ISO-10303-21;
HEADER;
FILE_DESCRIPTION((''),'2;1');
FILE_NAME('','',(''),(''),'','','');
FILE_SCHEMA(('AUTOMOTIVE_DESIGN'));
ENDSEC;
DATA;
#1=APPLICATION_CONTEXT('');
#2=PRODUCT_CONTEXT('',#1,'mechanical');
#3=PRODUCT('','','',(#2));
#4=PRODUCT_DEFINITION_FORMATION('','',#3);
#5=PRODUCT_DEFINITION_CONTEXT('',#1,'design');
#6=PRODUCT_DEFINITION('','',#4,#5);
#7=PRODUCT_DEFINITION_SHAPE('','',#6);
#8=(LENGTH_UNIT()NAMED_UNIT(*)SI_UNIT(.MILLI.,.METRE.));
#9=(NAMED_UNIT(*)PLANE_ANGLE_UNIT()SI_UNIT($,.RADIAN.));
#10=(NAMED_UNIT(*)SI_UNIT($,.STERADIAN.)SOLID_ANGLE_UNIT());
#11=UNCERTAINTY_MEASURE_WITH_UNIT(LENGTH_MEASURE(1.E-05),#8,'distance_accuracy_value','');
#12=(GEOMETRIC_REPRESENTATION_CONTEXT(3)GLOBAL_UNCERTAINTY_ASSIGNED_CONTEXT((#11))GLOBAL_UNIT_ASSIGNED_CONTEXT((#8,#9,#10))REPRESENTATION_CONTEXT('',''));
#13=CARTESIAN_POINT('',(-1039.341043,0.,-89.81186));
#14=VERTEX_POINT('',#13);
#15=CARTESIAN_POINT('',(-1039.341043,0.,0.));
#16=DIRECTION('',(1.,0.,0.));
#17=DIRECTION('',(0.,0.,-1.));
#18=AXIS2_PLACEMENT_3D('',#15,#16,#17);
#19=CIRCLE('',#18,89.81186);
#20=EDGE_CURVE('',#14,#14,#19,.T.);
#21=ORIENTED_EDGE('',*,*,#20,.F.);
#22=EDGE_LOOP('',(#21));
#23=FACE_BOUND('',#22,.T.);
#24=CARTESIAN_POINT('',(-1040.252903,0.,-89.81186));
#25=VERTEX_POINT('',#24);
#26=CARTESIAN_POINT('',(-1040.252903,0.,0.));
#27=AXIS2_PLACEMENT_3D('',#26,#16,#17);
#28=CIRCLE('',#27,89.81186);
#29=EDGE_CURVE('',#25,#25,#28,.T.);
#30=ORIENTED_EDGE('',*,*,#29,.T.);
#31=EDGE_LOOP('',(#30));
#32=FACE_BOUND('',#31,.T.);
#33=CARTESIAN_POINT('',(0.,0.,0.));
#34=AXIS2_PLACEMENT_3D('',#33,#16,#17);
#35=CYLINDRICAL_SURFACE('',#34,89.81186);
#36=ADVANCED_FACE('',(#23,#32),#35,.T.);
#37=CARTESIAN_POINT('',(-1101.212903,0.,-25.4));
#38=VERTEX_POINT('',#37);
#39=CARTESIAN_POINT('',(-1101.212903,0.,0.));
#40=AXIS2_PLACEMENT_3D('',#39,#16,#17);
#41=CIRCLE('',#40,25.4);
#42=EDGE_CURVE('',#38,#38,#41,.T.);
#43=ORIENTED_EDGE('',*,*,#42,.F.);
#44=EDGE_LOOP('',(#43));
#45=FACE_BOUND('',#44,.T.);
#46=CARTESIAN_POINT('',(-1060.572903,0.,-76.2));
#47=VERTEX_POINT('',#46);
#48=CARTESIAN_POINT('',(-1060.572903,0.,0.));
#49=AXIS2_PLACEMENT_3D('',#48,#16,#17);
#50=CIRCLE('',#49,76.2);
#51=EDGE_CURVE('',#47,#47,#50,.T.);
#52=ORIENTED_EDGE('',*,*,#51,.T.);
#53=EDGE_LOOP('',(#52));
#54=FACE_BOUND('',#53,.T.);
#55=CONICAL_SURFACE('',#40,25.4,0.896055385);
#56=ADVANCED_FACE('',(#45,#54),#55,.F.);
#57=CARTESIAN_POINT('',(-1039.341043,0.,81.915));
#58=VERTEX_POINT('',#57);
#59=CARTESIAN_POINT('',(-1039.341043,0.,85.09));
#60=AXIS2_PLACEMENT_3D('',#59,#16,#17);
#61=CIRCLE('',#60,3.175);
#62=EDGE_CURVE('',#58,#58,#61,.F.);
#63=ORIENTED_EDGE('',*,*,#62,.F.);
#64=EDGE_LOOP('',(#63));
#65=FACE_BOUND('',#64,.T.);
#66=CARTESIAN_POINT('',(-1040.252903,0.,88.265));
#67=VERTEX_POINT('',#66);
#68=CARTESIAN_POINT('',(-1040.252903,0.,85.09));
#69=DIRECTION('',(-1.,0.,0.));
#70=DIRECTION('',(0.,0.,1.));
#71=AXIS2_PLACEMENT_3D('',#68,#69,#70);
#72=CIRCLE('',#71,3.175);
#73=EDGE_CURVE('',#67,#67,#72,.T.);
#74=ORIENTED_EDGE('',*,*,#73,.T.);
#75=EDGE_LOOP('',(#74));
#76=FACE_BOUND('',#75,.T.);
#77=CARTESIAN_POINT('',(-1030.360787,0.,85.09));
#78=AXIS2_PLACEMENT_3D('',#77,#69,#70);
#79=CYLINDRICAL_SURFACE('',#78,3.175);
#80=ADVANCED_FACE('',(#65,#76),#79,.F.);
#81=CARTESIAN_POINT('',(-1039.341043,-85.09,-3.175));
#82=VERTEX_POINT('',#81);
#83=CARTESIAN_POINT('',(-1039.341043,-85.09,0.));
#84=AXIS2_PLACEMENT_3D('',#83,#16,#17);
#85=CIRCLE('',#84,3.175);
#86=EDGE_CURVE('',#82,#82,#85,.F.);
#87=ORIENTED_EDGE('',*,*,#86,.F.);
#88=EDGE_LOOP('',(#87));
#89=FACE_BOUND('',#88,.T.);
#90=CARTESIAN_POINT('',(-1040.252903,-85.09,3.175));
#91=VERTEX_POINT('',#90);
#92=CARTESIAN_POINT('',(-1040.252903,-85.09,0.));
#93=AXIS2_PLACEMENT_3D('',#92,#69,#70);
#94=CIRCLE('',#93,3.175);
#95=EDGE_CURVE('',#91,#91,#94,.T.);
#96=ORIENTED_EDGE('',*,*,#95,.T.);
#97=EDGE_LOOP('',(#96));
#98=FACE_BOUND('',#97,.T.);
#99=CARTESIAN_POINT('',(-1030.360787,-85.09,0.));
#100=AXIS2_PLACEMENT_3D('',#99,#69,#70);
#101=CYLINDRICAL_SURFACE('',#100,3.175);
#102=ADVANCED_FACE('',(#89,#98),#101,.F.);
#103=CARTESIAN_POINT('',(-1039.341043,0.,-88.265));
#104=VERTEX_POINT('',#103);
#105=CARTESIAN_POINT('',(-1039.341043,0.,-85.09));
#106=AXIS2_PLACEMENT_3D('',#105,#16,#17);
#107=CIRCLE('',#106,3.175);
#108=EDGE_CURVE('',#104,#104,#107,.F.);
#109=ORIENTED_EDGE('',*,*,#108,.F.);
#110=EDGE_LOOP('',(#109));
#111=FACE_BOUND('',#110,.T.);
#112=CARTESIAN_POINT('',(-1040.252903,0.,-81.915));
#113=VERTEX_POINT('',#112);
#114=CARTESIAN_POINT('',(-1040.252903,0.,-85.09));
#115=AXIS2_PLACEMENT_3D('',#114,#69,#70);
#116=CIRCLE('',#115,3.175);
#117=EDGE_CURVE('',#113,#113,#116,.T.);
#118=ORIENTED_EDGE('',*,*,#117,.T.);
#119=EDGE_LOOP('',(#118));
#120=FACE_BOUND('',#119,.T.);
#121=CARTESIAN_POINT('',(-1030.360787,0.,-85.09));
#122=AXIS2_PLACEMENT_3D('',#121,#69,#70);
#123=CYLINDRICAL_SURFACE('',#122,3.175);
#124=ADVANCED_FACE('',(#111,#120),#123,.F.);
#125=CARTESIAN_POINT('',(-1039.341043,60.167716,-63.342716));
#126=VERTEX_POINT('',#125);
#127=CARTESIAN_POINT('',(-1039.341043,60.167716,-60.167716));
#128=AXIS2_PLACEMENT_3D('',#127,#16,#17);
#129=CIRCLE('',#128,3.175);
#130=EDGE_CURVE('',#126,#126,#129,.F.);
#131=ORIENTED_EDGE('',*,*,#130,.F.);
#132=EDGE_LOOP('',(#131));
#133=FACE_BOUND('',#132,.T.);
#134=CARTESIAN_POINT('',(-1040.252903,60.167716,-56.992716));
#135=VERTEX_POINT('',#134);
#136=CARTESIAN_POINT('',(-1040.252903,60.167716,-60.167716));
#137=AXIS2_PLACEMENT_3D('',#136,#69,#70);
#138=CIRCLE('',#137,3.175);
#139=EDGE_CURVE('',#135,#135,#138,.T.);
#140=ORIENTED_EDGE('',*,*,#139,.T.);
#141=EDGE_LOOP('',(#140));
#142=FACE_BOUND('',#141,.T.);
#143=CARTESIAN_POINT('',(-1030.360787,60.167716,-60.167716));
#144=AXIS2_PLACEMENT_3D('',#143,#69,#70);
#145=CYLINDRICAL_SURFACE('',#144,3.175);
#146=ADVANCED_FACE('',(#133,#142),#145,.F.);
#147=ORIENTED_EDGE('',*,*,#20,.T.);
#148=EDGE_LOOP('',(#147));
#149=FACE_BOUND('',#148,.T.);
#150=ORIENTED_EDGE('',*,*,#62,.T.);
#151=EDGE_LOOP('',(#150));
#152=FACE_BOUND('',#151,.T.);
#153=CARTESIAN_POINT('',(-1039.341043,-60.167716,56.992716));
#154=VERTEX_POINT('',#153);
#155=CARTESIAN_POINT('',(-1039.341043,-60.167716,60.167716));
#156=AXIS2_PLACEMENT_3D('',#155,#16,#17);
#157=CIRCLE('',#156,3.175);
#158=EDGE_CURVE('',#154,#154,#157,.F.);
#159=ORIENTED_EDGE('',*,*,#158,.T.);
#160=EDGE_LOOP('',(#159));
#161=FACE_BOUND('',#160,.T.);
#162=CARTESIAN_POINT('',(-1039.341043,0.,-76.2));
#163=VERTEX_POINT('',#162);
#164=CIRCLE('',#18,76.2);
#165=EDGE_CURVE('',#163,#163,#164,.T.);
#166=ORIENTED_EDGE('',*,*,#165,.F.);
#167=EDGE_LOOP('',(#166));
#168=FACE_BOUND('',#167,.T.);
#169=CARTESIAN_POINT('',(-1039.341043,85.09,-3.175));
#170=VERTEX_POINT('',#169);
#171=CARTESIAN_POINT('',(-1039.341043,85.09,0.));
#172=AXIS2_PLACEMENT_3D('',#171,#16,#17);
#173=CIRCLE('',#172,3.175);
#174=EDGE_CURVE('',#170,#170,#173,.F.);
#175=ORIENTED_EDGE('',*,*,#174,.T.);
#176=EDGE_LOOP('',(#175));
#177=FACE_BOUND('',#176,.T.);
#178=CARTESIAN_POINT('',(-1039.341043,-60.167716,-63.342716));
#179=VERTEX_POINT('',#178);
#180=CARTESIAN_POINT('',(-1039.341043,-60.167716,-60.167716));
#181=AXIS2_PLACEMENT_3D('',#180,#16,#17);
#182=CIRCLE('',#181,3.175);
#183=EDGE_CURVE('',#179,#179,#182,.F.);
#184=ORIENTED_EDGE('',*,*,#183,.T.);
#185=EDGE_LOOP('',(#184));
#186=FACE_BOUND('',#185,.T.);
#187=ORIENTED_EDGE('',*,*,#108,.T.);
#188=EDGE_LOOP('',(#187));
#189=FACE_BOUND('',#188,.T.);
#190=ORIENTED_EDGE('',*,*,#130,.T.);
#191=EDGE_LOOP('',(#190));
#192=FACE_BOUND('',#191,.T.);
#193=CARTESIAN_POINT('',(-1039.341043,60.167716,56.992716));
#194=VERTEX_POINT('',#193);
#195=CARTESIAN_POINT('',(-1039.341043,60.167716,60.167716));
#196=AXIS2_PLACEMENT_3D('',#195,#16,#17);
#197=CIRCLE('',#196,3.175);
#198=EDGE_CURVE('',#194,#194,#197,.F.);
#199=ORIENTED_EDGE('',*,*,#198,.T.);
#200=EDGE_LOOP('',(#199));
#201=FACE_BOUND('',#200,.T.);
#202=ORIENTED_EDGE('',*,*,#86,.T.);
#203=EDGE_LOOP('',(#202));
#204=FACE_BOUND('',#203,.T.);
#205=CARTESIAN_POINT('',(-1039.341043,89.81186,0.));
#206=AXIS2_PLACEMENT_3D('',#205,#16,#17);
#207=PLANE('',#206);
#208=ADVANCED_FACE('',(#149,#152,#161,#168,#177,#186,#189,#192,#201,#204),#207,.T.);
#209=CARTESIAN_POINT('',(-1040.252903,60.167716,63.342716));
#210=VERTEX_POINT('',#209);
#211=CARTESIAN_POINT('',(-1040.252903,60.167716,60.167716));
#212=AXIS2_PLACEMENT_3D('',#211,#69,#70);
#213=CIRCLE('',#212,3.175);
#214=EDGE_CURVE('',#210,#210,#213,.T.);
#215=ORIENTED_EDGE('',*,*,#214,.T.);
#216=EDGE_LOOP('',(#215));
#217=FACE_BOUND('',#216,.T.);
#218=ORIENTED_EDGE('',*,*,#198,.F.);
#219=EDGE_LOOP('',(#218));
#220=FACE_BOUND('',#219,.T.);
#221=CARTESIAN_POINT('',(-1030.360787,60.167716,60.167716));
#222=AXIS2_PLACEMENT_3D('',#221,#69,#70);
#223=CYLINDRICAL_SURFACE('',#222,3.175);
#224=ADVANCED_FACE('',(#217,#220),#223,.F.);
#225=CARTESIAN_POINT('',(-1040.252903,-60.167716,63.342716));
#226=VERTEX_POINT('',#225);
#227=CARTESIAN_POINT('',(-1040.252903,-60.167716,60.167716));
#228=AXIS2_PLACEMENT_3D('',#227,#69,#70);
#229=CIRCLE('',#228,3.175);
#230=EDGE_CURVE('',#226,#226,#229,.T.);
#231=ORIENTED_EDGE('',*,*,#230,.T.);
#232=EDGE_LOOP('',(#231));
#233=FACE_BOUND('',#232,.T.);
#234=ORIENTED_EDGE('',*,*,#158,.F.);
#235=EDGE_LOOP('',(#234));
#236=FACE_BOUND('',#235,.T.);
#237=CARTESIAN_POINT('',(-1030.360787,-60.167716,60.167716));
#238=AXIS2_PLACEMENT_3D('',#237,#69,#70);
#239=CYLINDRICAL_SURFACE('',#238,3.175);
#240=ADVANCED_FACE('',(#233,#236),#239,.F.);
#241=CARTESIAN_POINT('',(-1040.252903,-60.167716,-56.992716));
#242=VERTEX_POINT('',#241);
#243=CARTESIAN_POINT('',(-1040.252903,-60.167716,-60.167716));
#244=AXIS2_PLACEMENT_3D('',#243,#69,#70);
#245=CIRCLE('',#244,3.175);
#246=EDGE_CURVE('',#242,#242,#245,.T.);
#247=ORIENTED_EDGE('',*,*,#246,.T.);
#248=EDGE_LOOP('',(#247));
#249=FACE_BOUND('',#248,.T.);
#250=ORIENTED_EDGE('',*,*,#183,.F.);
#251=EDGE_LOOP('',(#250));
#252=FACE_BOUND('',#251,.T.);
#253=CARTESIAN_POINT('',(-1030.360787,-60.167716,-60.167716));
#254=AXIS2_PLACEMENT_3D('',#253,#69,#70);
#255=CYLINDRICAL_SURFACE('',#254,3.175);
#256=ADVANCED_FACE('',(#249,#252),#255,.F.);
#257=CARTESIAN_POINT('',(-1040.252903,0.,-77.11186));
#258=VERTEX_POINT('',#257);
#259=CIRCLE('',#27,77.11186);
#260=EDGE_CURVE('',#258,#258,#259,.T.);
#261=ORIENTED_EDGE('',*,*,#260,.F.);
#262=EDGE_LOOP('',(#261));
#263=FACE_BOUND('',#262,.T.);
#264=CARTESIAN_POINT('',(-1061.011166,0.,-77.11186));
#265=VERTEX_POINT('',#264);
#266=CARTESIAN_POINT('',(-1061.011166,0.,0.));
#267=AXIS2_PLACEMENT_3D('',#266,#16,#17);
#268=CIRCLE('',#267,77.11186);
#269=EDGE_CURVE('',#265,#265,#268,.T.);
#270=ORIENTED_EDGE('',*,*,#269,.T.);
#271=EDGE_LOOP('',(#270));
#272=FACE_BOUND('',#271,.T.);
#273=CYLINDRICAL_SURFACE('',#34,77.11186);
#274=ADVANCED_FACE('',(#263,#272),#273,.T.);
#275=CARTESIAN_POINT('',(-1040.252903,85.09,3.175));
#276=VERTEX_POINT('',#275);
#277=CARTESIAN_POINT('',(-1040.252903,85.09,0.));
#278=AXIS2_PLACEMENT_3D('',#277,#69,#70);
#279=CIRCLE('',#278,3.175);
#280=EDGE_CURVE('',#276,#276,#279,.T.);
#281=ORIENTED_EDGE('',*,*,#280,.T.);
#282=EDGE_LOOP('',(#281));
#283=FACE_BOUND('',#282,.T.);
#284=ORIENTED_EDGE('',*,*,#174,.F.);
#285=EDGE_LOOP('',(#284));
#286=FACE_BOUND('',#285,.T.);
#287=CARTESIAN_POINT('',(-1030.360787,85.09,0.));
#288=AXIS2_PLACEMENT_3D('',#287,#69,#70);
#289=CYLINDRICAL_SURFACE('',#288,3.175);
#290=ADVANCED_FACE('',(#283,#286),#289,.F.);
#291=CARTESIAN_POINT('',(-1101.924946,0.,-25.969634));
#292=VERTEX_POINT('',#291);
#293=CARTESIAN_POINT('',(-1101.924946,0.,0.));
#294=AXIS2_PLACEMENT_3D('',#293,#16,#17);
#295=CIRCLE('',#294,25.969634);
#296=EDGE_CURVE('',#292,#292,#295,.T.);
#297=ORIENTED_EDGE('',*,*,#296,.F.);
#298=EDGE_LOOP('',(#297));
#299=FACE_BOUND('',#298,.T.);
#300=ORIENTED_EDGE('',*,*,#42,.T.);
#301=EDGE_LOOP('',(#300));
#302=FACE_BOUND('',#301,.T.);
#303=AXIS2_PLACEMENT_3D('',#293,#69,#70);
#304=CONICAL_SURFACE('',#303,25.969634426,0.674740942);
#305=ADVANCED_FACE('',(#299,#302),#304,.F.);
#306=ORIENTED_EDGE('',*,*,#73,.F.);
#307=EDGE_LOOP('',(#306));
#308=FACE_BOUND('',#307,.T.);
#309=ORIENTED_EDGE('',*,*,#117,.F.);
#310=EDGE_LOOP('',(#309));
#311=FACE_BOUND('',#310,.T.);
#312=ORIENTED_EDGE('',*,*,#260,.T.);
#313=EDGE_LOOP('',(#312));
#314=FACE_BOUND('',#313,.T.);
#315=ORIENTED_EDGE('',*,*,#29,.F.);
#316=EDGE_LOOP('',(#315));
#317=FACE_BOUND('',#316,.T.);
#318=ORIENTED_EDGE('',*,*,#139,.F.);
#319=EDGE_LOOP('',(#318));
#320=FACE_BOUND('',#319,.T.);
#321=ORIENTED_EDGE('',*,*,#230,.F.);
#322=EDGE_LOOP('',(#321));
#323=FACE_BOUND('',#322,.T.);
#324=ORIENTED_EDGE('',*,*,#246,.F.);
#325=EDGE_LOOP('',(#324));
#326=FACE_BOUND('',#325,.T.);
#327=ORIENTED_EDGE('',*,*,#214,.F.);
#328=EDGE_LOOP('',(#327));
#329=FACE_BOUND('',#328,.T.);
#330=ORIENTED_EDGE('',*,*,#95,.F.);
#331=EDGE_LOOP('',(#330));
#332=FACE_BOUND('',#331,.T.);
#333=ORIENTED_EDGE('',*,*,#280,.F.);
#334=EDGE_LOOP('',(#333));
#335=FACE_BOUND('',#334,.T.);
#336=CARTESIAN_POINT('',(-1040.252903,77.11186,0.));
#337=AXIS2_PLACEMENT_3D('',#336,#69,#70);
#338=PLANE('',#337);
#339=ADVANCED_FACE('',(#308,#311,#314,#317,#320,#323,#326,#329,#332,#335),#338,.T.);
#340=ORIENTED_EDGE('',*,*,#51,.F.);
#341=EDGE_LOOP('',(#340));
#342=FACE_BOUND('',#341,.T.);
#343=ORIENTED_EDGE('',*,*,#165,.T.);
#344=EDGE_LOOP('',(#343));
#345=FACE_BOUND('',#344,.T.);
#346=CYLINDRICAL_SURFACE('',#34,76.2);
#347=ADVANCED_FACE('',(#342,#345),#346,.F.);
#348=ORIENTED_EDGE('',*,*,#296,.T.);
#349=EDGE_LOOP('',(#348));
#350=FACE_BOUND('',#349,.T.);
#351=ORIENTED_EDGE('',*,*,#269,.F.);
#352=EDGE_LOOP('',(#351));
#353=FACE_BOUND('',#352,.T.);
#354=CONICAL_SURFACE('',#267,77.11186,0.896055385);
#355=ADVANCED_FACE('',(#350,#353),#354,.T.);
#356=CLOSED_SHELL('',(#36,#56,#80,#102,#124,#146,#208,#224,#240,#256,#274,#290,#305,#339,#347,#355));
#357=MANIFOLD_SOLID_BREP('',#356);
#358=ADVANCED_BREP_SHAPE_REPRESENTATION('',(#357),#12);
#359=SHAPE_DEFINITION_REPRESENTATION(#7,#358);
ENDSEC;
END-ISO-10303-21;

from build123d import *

# Parameters (mm, degrees)
SKETCH3_R          = 3.175
CUT_EXTRUDE1_DEPTH = 0.91186
CIRPATTERN1_COUNT  = 8


with BuildPart() as part:
    # Sketch1 → Revolve1 (revolve)
    with BuildSketch(Plane.XY):
        Polygon((-1101.212903226, 25.4), (-1060.572903226, 76.2), (-1040.252903226, 76.2), (-1039.341043226, 76.2), (-1039.341043226, 89.81186), (-1040.252903226, 89.81186), (-1040.252903226, 77.11186), (-1061.011165799, 77.11186), (-1101.924946258, 25.969634426), align=None)
    revolve(axis=Axis((0, 0, 0), (-1, 0, 0)))

    # Sketch3 → Cut-Extrude1 (cut)
    with BuildSketch(Plane.ZY.offset(1040.252903226)):
        with Locations((0, 85.09)):
            Circle(SKETCH3_R)
    cut_extrude1 = extrude(amount=-CUT_EXTRUDE1_DEPTH, mode=Mode.SUBTRACT)

    # CirPattern1: Cut-Extrude1 ×8 about axis
    cirpattern1_axis = Axis((0, 0, 0), (1, 0, 0))
    for i in range(1, CIRPATTERN1_COUNT):
        add(cut_extrude1.rotate(cirpattern1_axis, i * 360 / CIRPATTERN1_COUNT), mode=Mode.SUBTRACT)


solid = part.part
